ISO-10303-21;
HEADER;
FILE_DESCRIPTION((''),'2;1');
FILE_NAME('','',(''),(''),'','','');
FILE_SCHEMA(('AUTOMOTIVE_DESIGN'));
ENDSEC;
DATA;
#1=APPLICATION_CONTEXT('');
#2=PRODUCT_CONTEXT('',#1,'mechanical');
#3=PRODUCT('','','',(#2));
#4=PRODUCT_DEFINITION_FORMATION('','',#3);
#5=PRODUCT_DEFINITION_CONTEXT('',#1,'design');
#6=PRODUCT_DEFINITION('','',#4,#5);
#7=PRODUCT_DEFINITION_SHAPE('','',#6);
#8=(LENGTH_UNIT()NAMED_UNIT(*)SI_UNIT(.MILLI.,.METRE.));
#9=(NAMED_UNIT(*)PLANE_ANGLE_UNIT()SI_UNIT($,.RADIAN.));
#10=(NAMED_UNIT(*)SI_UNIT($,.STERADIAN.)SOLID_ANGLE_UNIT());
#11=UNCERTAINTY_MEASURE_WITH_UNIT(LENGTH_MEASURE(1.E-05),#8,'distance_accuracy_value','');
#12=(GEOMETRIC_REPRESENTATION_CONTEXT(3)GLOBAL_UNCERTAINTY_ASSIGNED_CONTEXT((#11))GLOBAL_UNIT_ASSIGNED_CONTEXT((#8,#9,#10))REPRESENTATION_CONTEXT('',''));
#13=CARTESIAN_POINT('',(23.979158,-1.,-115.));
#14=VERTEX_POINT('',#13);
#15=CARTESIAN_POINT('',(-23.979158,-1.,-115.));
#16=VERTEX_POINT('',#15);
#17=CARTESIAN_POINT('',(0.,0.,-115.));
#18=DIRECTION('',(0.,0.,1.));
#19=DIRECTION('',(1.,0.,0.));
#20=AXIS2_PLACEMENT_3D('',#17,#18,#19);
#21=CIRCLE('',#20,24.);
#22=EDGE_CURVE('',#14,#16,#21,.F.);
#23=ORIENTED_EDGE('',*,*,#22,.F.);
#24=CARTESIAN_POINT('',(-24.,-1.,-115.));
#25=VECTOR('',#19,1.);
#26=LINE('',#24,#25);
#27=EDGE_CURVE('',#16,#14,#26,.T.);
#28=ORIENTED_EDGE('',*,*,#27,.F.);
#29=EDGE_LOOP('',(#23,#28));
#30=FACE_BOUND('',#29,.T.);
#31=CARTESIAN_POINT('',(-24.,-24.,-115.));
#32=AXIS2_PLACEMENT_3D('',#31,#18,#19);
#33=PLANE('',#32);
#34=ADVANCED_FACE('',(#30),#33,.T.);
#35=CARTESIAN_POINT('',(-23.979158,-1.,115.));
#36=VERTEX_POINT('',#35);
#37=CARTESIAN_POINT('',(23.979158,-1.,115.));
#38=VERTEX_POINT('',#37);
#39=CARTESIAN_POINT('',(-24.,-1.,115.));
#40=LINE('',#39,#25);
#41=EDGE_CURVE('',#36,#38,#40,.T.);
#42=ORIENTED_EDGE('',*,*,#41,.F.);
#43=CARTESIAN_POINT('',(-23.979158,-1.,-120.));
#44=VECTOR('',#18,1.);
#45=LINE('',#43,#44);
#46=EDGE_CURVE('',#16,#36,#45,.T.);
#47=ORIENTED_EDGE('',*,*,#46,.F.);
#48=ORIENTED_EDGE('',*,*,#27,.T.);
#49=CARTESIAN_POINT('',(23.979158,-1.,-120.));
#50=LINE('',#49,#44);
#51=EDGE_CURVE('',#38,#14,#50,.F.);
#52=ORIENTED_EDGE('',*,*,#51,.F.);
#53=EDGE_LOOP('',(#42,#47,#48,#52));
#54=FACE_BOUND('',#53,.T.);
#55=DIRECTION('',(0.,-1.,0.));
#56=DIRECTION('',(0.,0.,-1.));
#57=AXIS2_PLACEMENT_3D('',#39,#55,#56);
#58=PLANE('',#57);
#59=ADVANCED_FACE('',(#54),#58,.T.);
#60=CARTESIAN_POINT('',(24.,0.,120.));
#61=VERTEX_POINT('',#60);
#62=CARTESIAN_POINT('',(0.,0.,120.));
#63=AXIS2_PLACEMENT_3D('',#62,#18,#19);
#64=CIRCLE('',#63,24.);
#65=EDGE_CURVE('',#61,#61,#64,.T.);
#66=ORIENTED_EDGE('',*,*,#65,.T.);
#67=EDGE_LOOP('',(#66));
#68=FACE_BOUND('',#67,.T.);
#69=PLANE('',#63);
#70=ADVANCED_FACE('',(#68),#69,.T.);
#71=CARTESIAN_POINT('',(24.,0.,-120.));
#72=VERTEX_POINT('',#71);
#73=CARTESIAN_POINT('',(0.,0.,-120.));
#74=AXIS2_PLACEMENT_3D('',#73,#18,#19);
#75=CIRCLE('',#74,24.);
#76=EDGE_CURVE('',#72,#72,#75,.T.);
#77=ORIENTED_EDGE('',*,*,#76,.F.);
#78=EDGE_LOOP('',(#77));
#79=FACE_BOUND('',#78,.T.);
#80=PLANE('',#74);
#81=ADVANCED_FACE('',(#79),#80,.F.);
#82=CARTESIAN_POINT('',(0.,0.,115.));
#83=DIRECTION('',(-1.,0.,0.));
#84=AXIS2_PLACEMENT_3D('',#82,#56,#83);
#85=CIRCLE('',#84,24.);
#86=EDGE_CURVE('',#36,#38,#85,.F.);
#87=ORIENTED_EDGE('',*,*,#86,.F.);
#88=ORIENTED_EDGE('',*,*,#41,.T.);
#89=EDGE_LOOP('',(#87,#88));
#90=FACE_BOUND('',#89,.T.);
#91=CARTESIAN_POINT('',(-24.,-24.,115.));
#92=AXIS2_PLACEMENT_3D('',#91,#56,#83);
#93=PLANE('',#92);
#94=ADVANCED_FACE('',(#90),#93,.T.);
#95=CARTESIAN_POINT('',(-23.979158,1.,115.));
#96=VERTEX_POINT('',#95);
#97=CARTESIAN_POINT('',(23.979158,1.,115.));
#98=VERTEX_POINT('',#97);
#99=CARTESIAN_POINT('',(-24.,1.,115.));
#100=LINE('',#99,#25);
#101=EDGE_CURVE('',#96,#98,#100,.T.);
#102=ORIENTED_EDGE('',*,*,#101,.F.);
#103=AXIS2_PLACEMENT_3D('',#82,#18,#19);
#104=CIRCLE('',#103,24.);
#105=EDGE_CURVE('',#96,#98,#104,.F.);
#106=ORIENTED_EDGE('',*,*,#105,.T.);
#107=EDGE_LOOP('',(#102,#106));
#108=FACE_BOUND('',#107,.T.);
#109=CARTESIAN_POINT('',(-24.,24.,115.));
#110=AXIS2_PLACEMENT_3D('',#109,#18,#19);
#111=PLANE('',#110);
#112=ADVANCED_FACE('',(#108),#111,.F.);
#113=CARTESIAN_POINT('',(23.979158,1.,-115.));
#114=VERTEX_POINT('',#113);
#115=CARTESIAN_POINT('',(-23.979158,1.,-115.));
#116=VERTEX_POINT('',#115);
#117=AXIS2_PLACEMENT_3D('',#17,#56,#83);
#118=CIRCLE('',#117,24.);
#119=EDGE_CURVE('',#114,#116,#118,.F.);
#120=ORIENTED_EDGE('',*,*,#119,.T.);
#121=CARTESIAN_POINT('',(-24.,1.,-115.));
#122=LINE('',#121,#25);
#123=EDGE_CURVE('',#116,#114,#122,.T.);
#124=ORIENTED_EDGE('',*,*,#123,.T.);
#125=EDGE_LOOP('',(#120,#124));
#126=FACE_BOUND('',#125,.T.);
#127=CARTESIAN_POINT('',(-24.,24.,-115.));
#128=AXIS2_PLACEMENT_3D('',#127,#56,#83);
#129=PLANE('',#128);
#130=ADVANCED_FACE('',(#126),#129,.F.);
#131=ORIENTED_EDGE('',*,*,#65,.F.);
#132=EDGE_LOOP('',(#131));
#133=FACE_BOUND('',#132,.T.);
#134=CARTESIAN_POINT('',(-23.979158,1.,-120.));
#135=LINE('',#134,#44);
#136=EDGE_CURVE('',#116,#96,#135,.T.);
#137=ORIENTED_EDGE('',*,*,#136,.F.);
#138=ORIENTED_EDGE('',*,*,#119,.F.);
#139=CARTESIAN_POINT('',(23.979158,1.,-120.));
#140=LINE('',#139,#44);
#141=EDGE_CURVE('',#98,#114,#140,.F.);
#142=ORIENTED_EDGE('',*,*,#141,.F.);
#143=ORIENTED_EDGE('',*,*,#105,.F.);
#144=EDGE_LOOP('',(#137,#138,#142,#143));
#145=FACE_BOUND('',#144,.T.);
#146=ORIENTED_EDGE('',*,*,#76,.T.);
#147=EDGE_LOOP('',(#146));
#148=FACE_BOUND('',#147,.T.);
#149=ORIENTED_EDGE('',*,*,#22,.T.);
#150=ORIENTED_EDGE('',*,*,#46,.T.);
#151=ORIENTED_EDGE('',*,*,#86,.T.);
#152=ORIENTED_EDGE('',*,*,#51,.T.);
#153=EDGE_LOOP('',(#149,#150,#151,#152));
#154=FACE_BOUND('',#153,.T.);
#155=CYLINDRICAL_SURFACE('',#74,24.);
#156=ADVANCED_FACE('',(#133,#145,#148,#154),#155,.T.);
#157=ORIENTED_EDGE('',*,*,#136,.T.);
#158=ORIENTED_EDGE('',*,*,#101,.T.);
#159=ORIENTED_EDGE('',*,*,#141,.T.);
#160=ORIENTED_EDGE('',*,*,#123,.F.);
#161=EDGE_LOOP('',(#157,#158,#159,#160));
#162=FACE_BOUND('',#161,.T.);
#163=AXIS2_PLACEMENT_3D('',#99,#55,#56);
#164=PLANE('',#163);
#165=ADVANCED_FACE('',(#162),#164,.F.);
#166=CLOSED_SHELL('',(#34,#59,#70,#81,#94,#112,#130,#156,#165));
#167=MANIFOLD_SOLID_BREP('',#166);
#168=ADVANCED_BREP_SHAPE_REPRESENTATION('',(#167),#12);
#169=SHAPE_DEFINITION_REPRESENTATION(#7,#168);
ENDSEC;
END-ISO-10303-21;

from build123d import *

# Parameters (mm, degrees)
BOSS_EXTRU_2_DEPTH      = 120
BOSS_EXTRU_2_DEPTH_BACK = 120
ESQUISSE1_R             = 24
ESQUISSE2_W             = 230
ESQUISSE2_H             = 23
ENL_V_MAT_EXTRU_1_DEPTH = 125.707658145


with BuildPart() as part:
    # Esquisse1 → Boss.-Extru.2 (new, two sides: drawn at the far end of the back side and taken through both)
    with BuildSketch(Plane.XY.offset(-BOSS_EXTRU_2_DEPTH_BACK)):
        Circle(ESQUISSE1_R)
    extrude(amount=BOSS_EXTRU_2_DEPTH + BOSS_EXTRU_2_DEPTH_BACK)

    # Esquisse2 → Enlèv. mat.-Extru.1 (cut, symmetric)
    with BuildSketch(Plane(origin=(0, 0, 0), x_dir=(0, 0, -1), z_dir=(1, 0, 0))):
        with Locations((0, 12.5)):
            Rectangle(ESQUISSE2_W, ESQUISSE2_H)
    enl_v_mat_extru_1 = extrude(amount=ENL_V_MAT_EXTRU_1_DEPTH, both=True, mode=Mode.SUBTRACT)

    # Symétrie1: Enlèv. mat.-Extru.1 across plane
    add(enl_v_mat_extru_1.mirror(Plane.ZX), mode=Mode.SUBTRACT)


solid = part.part
